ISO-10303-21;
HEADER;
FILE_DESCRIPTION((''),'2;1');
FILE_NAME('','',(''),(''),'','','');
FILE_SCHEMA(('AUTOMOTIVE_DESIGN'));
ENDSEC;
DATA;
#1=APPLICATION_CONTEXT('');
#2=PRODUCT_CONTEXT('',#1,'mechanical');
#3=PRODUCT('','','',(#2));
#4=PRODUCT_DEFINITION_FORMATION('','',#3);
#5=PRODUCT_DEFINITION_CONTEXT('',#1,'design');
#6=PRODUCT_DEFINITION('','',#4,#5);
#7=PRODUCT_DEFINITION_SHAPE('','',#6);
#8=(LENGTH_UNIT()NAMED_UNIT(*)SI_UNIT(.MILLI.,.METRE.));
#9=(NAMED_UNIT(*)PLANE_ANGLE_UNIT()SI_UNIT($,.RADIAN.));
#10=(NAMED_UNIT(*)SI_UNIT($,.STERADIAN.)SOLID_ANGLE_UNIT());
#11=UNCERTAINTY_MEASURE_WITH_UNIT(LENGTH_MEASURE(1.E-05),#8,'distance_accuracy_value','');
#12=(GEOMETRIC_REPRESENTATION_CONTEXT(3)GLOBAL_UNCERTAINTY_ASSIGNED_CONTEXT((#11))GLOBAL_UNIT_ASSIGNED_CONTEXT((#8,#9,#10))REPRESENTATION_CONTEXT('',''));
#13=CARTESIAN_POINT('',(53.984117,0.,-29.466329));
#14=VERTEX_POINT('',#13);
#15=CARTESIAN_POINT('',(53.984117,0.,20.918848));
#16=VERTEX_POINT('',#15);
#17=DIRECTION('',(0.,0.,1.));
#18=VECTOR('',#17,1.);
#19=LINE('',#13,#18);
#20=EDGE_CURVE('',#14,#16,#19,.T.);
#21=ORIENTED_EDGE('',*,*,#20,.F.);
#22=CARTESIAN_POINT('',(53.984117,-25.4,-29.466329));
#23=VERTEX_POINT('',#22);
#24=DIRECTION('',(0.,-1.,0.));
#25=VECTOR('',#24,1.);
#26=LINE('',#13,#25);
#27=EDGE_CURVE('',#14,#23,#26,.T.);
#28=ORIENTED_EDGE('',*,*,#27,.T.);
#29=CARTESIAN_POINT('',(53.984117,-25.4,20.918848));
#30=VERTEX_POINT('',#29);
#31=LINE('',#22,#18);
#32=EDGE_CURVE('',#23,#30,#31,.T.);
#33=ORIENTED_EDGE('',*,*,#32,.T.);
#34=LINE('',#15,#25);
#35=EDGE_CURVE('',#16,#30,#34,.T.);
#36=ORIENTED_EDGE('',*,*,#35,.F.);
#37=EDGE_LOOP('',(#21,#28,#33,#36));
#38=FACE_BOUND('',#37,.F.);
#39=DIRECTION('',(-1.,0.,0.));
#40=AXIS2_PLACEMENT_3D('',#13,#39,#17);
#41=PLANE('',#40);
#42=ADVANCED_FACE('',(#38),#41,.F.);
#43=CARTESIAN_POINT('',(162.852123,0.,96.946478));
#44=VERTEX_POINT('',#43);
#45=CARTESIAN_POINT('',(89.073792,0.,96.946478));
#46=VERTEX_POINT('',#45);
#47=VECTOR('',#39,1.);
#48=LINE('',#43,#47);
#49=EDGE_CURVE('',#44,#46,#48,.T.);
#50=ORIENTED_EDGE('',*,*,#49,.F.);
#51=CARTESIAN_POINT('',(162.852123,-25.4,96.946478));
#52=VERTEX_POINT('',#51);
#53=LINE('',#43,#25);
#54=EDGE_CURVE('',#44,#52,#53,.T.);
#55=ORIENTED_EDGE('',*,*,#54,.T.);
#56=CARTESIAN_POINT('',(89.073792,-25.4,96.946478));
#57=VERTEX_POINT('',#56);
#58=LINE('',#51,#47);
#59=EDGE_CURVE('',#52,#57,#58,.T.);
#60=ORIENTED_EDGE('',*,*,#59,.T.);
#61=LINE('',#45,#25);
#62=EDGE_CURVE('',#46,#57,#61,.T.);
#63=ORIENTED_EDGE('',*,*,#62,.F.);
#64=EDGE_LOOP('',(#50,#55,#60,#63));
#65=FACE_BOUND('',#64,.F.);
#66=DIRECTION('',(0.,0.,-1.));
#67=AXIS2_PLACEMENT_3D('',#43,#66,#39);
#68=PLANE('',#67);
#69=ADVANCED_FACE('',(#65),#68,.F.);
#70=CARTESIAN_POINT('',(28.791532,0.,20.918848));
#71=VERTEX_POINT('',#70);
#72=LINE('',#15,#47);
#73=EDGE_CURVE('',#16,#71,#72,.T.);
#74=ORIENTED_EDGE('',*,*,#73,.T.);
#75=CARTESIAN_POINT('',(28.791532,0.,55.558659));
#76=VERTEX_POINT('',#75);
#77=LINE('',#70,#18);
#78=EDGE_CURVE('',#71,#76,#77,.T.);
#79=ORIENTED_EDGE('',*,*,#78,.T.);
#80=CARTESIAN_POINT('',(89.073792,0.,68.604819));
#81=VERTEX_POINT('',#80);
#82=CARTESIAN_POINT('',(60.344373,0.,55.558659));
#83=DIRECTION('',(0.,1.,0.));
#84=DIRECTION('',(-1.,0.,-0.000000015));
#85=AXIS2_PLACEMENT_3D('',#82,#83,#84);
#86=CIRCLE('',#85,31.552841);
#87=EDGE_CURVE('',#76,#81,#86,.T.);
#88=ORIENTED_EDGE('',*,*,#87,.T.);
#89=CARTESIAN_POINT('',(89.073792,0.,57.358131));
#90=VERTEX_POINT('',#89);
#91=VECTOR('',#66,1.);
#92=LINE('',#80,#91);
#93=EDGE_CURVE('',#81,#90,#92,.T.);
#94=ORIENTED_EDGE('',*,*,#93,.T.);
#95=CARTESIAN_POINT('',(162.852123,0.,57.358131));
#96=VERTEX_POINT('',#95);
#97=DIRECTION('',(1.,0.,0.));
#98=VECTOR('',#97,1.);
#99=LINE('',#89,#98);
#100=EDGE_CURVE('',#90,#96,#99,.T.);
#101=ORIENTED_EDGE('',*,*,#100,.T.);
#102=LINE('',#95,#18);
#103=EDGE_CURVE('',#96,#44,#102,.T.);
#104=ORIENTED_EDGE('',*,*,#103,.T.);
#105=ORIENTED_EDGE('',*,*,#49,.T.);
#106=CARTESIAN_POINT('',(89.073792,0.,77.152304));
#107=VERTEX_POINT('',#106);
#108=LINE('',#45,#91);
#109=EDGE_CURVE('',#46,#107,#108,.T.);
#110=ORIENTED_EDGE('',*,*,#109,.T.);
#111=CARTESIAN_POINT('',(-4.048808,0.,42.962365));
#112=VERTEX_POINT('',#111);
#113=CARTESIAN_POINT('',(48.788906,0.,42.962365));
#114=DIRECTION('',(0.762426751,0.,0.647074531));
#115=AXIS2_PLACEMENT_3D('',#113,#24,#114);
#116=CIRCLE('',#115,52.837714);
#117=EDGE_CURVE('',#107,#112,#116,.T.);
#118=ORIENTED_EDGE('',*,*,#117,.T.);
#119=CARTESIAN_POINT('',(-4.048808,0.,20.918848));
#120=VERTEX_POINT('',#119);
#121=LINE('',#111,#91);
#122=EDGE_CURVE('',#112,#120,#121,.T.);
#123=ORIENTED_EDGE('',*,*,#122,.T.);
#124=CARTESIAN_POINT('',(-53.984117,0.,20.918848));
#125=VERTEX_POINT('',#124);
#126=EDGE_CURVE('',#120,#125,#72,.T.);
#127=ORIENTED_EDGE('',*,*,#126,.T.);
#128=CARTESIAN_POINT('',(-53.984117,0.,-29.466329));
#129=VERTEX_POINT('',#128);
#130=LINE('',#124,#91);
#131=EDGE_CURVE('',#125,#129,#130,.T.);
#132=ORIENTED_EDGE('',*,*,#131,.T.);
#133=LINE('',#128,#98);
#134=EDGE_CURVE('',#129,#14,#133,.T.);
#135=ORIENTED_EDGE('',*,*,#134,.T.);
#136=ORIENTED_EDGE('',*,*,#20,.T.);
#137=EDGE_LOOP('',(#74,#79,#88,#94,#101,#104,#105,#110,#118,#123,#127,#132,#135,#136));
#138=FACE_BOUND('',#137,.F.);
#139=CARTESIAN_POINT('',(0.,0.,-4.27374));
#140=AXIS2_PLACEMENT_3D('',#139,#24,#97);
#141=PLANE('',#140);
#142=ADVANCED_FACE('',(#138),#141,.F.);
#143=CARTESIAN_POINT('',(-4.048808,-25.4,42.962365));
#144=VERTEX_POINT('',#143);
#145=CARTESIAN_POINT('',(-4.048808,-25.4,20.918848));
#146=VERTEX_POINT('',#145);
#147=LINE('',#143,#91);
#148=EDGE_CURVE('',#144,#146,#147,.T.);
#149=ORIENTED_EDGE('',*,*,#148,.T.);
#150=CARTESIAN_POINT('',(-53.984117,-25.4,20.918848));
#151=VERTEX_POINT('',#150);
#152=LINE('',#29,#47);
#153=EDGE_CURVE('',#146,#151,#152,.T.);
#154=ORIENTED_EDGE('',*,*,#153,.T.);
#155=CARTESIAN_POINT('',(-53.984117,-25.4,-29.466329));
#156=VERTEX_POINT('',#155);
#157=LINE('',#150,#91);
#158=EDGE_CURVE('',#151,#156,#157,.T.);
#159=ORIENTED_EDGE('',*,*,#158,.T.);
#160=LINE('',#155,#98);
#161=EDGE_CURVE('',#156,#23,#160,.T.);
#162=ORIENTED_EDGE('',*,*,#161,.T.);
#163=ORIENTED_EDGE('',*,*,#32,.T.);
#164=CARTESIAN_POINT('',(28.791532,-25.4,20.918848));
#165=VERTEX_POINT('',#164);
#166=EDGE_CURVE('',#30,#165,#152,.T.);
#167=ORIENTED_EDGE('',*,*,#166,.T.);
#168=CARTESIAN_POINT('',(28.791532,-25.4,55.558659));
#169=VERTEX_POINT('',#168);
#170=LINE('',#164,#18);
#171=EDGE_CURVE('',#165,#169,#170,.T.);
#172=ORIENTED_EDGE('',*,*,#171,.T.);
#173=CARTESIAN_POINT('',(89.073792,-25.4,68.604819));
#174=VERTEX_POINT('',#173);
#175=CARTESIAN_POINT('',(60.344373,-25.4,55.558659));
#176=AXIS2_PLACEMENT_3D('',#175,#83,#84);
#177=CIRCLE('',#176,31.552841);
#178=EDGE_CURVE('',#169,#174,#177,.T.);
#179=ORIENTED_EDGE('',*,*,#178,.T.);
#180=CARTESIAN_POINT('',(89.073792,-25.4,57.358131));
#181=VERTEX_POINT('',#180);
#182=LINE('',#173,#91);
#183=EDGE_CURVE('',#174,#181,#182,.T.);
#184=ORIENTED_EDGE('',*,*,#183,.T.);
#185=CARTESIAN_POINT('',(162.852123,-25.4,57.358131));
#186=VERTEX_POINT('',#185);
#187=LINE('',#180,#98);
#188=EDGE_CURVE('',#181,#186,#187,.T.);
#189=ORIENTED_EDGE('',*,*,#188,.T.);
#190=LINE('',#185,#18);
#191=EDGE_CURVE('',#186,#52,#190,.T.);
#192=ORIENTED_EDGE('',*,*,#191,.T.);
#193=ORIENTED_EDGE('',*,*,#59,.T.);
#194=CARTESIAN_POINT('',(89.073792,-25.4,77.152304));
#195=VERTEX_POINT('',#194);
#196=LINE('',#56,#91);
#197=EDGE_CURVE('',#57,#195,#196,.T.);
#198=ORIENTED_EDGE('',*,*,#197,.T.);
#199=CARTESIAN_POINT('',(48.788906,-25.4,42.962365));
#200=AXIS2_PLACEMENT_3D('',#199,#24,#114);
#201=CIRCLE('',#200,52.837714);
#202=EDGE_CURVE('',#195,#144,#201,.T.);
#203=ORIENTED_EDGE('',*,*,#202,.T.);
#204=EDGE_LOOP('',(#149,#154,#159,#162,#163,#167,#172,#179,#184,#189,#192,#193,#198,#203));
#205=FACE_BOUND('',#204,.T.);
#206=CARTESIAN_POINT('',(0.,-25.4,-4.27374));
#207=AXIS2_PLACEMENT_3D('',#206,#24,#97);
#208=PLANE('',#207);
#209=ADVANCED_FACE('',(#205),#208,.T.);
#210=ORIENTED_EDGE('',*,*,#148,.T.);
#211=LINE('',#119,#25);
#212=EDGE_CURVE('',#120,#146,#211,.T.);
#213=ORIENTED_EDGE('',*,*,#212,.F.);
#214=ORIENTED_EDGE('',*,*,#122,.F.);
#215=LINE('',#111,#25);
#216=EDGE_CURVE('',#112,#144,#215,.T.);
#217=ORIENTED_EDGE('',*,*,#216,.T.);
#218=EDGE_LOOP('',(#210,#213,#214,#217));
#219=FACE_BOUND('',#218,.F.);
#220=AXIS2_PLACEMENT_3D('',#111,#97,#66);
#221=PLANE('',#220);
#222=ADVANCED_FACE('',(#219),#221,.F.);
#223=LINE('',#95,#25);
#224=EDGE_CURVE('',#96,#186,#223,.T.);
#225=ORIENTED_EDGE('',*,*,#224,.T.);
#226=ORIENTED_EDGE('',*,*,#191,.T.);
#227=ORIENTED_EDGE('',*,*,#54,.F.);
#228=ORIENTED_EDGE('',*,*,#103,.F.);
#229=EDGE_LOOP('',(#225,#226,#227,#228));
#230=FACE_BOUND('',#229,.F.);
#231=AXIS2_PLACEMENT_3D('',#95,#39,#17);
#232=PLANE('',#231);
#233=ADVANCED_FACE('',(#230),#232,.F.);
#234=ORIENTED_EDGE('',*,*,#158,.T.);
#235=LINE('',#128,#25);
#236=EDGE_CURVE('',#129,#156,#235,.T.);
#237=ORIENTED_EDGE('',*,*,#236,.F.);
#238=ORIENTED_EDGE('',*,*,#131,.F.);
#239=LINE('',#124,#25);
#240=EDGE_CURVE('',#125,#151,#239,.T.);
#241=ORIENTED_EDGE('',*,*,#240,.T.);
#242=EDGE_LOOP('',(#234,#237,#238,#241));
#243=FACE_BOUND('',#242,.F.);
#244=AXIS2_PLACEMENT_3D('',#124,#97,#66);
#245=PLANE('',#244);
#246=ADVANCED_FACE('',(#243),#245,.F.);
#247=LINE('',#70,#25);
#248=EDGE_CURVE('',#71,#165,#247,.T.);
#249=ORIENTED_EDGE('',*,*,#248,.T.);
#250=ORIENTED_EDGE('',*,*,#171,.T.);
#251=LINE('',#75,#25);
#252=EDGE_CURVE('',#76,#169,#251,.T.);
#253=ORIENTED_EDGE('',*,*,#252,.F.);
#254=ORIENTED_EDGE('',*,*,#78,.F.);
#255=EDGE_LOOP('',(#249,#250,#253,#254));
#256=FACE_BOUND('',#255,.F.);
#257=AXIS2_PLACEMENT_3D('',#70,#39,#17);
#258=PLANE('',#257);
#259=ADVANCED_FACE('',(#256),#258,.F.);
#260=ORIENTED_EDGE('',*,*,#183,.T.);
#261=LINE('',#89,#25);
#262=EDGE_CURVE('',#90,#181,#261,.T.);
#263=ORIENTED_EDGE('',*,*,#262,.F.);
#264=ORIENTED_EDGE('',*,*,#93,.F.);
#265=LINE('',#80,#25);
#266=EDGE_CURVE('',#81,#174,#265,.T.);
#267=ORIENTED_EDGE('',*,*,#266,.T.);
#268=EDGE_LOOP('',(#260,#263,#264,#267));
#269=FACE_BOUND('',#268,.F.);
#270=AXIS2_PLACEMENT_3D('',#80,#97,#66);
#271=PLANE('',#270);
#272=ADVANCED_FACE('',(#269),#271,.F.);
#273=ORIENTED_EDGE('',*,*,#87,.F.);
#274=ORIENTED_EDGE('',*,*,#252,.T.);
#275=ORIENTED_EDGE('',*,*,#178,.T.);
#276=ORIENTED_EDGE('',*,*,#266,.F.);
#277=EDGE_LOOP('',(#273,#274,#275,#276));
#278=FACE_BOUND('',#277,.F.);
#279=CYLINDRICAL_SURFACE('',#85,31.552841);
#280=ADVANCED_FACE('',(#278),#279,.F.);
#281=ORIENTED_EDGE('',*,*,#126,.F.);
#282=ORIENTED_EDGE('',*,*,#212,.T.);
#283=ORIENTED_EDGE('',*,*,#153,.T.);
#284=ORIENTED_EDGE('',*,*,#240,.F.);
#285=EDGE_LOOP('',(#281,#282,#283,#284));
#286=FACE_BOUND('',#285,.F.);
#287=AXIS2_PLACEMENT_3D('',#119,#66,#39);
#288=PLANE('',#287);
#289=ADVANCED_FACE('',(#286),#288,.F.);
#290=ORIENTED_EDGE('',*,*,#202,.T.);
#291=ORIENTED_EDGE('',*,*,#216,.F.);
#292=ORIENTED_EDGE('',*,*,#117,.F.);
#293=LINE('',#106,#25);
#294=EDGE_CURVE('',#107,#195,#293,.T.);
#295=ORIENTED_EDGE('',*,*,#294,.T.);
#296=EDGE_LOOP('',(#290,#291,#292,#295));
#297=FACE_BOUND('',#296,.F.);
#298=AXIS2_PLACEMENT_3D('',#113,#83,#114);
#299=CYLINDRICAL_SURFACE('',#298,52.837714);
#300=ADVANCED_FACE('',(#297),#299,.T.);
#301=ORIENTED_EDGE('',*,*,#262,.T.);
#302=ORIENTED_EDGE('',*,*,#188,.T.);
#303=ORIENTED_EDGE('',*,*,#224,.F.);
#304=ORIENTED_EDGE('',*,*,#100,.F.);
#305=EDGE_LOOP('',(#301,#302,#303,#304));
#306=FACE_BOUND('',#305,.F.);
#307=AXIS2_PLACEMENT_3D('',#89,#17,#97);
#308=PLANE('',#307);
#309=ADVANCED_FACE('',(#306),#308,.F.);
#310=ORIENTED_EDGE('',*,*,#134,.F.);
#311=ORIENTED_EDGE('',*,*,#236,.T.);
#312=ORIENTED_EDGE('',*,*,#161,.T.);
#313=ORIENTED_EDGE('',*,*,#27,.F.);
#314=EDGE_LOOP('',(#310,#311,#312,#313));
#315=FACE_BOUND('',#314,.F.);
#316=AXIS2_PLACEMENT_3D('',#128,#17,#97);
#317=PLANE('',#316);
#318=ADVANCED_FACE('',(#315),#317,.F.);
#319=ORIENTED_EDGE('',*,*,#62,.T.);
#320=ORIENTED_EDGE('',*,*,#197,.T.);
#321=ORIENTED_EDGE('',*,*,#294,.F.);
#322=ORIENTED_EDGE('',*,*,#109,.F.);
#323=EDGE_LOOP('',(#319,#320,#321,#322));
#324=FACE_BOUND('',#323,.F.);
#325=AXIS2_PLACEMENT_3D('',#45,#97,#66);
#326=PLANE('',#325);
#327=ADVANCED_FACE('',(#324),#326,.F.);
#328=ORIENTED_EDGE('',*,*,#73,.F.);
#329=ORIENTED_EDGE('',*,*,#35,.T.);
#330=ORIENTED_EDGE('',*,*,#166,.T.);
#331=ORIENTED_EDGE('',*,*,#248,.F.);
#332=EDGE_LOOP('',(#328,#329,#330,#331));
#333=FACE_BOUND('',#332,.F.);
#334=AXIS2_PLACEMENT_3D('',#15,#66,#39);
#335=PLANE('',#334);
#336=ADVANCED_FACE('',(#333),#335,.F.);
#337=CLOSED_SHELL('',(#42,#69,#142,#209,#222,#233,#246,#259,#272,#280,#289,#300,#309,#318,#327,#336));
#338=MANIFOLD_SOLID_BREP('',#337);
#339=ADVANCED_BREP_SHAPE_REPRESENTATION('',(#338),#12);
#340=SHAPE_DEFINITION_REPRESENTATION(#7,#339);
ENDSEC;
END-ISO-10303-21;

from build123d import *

# Parameters (mm, degrees)
F1_DEPTH = 25.4


with BuildPart() as f1:
    # F0 (on Front) → F1 (new body)
    with BuildSketch(Plane.XZ):
        Polygon((-4.048808, 20.918848), (-53.984117, 20.918848), (-53.984117, -29.466329), (53.984117, -29.466329), (53.984117, 20.918848), (28.791532, 20.918848), align=None)
        with BuildLine():
            Line((-4.048808, 42.962365), (-4.048808, 20.918848))
            Line((-4.048808, 20.918848), (28.791532, 20.918848))
            Line((28.791532, 20.918848), (28.791532, 55.558659))
            ThreePointArc((28.791532, 55.558659), (53.670281, 86.397568), (89.073792, 68.604819))
            Line((89.073792, 68.604819), (89.073792, 77.152304))
            ThreePointArc((89.073792, 77.152304), (30.578157, 92.562694), (-4.048808, 42.962365))
        make_face()
        Polygon((89.073792, 96.946478), (89.073792, 77.152304), (89.073792, 68.604819), (89.073792, 57.358131), (162.852123, 57.358131), (162.852123, 96.946478), align=None)
    extrude(amount=F1_DEPTH)


solid = f1.part
